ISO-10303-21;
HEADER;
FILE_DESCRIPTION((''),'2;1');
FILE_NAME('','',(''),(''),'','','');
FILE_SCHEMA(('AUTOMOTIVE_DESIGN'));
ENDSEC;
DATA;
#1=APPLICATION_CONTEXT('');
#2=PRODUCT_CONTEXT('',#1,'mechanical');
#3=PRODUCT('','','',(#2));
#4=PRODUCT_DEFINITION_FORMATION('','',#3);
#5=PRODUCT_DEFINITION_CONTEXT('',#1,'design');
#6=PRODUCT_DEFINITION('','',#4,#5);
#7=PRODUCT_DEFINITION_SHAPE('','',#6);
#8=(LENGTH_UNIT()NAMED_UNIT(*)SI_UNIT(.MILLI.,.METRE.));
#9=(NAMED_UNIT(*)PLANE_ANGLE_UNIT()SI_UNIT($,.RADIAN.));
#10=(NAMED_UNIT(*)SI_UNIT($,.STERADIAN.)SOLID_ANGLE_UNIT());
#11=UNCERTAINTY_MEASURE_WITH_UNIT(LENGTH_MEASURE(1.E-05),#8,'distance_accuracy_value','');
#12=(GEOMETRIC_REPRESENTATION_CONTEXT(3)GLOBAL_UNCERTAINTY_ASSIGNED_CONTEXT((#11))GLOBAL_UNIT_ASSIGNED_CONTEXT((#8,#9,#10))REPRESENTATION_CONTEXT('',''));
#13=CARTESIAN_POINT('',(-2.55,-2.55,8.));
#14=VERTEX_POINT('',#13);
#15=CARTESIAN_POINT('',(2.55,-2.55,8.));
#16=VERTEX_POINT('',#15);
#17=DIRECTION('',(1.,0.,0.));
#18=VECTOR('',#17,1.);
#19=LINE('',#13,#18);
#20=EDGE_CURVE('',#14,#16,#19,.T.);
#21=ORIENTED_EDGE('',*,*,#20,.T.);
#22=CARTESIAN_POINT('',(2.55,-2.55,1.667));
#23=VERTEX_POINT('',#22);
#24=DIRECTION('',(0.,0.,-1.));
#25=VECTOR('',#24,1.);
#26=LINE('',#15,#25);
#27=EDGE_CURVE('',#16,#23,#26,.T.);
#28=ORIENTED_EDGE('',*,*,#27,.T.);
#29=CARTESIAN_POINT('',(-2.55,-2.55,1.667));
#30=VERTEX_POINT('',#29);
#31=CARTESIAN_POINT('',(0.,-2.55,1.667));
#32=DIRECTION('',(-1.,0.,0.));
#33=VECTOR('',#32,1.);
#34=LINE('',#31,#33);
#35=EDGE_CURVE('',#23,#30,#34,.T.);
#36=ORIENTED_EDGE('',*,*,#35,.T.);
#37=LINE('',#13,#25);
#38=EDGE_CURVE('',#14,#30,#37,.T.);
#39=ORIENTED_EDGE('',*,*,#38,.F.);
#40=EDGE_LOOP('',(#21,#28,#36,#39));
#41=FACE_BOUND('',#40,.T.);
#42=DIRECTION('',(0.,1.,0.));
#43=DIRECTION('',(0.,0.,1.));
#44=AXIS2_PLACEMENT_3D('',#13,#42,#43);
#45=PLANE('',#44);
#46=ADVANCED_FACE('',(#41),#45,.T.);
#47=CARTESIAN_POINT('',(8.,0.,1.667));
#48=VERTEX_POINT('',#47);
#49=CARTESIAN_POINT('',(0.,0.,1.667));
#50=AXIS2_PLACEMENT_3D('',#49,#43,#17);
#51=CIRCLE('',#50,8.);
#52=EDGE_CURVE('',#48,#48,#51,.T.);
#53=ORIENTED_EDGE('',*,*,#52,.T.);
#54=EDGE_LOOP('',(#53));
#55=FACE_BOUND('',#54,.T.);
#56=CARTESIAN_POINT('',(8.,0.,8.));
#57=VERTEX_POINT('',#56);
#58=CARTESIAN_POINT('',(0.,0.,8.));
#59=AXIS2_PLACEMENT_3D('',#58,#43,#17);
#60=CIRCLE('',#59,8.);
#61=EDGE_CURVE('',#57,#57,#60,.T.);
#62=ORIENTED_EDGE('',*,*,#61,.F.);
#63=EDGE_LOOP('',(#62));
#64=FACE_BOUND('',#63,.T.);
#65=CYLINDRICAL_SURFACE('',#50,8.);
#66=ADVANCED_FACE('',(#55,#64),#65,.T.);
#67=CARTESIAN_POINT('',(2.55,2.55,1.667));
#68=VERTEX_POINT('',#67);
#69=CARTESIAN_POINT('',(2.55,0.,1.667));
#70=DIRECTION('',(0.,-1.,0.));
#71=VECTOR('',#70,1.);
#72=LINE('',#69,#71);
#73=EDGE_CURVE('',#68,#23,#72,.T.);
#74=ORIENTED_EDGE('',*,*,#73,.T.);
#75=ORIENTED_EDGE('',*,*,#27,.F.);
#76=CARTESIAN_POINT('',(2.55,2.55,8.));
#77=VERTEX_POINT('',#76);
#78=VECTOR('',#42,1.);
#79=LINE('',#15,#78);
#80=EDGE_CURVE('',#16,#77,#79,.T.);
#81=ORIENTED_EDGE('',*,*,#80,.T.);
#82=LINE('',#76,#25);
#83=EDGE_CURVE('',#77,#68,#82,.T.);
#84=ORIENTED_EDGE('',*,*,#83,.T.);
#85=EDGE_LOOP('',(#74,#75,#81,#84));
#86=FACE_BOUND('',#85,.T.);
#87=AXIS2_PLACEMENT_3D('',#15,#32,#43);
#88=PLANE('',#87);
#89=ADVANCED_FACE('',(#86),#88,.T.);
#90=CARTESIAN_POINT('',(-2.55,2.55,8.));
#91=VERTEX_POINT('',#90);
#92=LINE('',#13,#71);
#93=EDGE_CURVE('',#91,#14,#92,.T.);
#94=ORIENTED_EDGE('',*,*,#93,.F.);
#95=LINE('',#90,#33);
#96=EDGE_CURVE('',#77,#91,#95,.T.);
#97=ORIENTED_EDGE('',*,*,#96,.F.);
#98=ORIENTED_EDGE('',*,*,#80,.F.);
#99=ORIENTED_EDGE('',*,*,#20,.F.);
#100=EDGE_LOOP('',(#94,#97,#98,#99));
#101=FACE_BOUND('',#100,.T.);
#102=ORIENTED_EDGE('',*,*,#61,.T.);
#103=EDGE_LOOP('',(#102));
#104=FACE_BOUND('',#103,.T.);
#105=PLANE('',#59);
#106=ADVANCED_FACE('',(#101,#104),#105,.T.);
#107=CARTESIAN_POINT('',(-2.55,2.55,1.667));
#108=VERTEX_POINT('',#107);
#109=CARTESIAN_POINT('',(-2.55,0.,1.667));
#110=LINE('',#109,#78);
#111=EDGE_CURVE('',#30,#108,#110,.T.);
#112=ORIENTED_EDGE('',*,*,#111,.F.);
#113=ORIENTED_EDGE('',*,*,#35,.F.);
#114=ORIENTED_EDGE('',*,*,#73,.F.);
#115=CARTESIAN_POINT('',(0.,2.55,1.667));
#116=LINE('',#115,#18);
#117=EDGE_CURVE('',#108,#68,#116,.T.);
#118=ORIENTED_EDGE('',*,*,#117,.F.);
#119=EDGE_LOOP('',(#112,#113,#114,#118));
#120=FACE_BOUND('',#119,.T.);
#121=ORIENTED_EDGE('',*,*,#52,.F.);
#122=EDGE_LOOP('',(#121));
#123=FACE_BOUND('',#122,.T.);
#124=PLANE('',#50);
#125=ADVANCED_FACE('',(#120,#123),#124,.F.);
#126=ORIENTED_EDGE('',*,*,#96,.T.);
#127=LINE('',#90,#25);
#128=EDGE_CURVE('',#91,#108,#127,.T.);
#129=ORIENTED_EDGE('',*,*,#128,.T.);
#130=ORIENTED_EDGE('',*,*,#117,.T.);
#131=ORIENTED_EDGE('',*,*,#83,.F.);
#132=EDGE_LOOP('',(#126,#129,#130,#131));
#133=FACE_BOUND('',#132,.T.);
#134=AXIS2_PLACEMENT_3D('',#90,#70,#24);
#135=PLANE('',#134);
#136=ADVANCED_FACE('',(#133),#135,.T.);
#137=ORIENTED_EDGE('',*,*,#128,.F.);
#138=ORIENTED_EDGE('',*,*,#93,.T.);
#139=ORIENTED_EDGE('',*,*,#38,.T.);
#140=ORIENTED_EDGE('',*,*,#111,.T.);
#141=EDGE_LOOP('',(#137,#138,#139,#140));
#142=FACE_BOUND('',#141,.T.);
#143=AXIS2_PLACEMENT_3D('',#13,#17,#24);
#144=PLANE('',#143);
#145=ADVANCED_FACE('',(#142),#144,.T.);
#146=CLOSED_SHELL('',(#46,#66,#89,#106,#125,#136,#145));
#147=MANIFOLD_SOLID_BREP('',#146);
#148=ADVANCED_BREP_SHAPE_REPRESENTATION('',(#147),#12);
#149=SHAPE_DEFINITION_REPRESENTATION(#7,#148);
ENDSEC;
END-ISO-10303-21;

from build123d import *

# Parameters (mm, degrees)
BOSS_EXTRUDE1_START = 8
SKETCH1_R           = 8
BOSS_EXTRUDE1_DEPTH = 6.333
SKETCH3_W           = 5.1
SKETCH3_H           = 5.1
CUT_EXTRUDE4_DEPTH  = 9


with BuildPart() as part:
    # Sketch1 → Boss-Extrude1 (new body)
    with BuildSketch(Plane.XY.offset(BOSS_EXTRUDE1_START)):
        Circle(SKETCH1_R)
    extrude(amount=-BOSS_EXTRUDE1_DEPTH)

    # Sketch3 → Cut-Extrude4 (cut, through all)
    with BuildSketch(Plane.XY):
        Rectangle(SKETCH3_W, SKETCH3_H)
    extrude(amount=CUT_EXTRUDE4_DEPTH, mode=Mode.SUBTRACT)


solid = part.part
